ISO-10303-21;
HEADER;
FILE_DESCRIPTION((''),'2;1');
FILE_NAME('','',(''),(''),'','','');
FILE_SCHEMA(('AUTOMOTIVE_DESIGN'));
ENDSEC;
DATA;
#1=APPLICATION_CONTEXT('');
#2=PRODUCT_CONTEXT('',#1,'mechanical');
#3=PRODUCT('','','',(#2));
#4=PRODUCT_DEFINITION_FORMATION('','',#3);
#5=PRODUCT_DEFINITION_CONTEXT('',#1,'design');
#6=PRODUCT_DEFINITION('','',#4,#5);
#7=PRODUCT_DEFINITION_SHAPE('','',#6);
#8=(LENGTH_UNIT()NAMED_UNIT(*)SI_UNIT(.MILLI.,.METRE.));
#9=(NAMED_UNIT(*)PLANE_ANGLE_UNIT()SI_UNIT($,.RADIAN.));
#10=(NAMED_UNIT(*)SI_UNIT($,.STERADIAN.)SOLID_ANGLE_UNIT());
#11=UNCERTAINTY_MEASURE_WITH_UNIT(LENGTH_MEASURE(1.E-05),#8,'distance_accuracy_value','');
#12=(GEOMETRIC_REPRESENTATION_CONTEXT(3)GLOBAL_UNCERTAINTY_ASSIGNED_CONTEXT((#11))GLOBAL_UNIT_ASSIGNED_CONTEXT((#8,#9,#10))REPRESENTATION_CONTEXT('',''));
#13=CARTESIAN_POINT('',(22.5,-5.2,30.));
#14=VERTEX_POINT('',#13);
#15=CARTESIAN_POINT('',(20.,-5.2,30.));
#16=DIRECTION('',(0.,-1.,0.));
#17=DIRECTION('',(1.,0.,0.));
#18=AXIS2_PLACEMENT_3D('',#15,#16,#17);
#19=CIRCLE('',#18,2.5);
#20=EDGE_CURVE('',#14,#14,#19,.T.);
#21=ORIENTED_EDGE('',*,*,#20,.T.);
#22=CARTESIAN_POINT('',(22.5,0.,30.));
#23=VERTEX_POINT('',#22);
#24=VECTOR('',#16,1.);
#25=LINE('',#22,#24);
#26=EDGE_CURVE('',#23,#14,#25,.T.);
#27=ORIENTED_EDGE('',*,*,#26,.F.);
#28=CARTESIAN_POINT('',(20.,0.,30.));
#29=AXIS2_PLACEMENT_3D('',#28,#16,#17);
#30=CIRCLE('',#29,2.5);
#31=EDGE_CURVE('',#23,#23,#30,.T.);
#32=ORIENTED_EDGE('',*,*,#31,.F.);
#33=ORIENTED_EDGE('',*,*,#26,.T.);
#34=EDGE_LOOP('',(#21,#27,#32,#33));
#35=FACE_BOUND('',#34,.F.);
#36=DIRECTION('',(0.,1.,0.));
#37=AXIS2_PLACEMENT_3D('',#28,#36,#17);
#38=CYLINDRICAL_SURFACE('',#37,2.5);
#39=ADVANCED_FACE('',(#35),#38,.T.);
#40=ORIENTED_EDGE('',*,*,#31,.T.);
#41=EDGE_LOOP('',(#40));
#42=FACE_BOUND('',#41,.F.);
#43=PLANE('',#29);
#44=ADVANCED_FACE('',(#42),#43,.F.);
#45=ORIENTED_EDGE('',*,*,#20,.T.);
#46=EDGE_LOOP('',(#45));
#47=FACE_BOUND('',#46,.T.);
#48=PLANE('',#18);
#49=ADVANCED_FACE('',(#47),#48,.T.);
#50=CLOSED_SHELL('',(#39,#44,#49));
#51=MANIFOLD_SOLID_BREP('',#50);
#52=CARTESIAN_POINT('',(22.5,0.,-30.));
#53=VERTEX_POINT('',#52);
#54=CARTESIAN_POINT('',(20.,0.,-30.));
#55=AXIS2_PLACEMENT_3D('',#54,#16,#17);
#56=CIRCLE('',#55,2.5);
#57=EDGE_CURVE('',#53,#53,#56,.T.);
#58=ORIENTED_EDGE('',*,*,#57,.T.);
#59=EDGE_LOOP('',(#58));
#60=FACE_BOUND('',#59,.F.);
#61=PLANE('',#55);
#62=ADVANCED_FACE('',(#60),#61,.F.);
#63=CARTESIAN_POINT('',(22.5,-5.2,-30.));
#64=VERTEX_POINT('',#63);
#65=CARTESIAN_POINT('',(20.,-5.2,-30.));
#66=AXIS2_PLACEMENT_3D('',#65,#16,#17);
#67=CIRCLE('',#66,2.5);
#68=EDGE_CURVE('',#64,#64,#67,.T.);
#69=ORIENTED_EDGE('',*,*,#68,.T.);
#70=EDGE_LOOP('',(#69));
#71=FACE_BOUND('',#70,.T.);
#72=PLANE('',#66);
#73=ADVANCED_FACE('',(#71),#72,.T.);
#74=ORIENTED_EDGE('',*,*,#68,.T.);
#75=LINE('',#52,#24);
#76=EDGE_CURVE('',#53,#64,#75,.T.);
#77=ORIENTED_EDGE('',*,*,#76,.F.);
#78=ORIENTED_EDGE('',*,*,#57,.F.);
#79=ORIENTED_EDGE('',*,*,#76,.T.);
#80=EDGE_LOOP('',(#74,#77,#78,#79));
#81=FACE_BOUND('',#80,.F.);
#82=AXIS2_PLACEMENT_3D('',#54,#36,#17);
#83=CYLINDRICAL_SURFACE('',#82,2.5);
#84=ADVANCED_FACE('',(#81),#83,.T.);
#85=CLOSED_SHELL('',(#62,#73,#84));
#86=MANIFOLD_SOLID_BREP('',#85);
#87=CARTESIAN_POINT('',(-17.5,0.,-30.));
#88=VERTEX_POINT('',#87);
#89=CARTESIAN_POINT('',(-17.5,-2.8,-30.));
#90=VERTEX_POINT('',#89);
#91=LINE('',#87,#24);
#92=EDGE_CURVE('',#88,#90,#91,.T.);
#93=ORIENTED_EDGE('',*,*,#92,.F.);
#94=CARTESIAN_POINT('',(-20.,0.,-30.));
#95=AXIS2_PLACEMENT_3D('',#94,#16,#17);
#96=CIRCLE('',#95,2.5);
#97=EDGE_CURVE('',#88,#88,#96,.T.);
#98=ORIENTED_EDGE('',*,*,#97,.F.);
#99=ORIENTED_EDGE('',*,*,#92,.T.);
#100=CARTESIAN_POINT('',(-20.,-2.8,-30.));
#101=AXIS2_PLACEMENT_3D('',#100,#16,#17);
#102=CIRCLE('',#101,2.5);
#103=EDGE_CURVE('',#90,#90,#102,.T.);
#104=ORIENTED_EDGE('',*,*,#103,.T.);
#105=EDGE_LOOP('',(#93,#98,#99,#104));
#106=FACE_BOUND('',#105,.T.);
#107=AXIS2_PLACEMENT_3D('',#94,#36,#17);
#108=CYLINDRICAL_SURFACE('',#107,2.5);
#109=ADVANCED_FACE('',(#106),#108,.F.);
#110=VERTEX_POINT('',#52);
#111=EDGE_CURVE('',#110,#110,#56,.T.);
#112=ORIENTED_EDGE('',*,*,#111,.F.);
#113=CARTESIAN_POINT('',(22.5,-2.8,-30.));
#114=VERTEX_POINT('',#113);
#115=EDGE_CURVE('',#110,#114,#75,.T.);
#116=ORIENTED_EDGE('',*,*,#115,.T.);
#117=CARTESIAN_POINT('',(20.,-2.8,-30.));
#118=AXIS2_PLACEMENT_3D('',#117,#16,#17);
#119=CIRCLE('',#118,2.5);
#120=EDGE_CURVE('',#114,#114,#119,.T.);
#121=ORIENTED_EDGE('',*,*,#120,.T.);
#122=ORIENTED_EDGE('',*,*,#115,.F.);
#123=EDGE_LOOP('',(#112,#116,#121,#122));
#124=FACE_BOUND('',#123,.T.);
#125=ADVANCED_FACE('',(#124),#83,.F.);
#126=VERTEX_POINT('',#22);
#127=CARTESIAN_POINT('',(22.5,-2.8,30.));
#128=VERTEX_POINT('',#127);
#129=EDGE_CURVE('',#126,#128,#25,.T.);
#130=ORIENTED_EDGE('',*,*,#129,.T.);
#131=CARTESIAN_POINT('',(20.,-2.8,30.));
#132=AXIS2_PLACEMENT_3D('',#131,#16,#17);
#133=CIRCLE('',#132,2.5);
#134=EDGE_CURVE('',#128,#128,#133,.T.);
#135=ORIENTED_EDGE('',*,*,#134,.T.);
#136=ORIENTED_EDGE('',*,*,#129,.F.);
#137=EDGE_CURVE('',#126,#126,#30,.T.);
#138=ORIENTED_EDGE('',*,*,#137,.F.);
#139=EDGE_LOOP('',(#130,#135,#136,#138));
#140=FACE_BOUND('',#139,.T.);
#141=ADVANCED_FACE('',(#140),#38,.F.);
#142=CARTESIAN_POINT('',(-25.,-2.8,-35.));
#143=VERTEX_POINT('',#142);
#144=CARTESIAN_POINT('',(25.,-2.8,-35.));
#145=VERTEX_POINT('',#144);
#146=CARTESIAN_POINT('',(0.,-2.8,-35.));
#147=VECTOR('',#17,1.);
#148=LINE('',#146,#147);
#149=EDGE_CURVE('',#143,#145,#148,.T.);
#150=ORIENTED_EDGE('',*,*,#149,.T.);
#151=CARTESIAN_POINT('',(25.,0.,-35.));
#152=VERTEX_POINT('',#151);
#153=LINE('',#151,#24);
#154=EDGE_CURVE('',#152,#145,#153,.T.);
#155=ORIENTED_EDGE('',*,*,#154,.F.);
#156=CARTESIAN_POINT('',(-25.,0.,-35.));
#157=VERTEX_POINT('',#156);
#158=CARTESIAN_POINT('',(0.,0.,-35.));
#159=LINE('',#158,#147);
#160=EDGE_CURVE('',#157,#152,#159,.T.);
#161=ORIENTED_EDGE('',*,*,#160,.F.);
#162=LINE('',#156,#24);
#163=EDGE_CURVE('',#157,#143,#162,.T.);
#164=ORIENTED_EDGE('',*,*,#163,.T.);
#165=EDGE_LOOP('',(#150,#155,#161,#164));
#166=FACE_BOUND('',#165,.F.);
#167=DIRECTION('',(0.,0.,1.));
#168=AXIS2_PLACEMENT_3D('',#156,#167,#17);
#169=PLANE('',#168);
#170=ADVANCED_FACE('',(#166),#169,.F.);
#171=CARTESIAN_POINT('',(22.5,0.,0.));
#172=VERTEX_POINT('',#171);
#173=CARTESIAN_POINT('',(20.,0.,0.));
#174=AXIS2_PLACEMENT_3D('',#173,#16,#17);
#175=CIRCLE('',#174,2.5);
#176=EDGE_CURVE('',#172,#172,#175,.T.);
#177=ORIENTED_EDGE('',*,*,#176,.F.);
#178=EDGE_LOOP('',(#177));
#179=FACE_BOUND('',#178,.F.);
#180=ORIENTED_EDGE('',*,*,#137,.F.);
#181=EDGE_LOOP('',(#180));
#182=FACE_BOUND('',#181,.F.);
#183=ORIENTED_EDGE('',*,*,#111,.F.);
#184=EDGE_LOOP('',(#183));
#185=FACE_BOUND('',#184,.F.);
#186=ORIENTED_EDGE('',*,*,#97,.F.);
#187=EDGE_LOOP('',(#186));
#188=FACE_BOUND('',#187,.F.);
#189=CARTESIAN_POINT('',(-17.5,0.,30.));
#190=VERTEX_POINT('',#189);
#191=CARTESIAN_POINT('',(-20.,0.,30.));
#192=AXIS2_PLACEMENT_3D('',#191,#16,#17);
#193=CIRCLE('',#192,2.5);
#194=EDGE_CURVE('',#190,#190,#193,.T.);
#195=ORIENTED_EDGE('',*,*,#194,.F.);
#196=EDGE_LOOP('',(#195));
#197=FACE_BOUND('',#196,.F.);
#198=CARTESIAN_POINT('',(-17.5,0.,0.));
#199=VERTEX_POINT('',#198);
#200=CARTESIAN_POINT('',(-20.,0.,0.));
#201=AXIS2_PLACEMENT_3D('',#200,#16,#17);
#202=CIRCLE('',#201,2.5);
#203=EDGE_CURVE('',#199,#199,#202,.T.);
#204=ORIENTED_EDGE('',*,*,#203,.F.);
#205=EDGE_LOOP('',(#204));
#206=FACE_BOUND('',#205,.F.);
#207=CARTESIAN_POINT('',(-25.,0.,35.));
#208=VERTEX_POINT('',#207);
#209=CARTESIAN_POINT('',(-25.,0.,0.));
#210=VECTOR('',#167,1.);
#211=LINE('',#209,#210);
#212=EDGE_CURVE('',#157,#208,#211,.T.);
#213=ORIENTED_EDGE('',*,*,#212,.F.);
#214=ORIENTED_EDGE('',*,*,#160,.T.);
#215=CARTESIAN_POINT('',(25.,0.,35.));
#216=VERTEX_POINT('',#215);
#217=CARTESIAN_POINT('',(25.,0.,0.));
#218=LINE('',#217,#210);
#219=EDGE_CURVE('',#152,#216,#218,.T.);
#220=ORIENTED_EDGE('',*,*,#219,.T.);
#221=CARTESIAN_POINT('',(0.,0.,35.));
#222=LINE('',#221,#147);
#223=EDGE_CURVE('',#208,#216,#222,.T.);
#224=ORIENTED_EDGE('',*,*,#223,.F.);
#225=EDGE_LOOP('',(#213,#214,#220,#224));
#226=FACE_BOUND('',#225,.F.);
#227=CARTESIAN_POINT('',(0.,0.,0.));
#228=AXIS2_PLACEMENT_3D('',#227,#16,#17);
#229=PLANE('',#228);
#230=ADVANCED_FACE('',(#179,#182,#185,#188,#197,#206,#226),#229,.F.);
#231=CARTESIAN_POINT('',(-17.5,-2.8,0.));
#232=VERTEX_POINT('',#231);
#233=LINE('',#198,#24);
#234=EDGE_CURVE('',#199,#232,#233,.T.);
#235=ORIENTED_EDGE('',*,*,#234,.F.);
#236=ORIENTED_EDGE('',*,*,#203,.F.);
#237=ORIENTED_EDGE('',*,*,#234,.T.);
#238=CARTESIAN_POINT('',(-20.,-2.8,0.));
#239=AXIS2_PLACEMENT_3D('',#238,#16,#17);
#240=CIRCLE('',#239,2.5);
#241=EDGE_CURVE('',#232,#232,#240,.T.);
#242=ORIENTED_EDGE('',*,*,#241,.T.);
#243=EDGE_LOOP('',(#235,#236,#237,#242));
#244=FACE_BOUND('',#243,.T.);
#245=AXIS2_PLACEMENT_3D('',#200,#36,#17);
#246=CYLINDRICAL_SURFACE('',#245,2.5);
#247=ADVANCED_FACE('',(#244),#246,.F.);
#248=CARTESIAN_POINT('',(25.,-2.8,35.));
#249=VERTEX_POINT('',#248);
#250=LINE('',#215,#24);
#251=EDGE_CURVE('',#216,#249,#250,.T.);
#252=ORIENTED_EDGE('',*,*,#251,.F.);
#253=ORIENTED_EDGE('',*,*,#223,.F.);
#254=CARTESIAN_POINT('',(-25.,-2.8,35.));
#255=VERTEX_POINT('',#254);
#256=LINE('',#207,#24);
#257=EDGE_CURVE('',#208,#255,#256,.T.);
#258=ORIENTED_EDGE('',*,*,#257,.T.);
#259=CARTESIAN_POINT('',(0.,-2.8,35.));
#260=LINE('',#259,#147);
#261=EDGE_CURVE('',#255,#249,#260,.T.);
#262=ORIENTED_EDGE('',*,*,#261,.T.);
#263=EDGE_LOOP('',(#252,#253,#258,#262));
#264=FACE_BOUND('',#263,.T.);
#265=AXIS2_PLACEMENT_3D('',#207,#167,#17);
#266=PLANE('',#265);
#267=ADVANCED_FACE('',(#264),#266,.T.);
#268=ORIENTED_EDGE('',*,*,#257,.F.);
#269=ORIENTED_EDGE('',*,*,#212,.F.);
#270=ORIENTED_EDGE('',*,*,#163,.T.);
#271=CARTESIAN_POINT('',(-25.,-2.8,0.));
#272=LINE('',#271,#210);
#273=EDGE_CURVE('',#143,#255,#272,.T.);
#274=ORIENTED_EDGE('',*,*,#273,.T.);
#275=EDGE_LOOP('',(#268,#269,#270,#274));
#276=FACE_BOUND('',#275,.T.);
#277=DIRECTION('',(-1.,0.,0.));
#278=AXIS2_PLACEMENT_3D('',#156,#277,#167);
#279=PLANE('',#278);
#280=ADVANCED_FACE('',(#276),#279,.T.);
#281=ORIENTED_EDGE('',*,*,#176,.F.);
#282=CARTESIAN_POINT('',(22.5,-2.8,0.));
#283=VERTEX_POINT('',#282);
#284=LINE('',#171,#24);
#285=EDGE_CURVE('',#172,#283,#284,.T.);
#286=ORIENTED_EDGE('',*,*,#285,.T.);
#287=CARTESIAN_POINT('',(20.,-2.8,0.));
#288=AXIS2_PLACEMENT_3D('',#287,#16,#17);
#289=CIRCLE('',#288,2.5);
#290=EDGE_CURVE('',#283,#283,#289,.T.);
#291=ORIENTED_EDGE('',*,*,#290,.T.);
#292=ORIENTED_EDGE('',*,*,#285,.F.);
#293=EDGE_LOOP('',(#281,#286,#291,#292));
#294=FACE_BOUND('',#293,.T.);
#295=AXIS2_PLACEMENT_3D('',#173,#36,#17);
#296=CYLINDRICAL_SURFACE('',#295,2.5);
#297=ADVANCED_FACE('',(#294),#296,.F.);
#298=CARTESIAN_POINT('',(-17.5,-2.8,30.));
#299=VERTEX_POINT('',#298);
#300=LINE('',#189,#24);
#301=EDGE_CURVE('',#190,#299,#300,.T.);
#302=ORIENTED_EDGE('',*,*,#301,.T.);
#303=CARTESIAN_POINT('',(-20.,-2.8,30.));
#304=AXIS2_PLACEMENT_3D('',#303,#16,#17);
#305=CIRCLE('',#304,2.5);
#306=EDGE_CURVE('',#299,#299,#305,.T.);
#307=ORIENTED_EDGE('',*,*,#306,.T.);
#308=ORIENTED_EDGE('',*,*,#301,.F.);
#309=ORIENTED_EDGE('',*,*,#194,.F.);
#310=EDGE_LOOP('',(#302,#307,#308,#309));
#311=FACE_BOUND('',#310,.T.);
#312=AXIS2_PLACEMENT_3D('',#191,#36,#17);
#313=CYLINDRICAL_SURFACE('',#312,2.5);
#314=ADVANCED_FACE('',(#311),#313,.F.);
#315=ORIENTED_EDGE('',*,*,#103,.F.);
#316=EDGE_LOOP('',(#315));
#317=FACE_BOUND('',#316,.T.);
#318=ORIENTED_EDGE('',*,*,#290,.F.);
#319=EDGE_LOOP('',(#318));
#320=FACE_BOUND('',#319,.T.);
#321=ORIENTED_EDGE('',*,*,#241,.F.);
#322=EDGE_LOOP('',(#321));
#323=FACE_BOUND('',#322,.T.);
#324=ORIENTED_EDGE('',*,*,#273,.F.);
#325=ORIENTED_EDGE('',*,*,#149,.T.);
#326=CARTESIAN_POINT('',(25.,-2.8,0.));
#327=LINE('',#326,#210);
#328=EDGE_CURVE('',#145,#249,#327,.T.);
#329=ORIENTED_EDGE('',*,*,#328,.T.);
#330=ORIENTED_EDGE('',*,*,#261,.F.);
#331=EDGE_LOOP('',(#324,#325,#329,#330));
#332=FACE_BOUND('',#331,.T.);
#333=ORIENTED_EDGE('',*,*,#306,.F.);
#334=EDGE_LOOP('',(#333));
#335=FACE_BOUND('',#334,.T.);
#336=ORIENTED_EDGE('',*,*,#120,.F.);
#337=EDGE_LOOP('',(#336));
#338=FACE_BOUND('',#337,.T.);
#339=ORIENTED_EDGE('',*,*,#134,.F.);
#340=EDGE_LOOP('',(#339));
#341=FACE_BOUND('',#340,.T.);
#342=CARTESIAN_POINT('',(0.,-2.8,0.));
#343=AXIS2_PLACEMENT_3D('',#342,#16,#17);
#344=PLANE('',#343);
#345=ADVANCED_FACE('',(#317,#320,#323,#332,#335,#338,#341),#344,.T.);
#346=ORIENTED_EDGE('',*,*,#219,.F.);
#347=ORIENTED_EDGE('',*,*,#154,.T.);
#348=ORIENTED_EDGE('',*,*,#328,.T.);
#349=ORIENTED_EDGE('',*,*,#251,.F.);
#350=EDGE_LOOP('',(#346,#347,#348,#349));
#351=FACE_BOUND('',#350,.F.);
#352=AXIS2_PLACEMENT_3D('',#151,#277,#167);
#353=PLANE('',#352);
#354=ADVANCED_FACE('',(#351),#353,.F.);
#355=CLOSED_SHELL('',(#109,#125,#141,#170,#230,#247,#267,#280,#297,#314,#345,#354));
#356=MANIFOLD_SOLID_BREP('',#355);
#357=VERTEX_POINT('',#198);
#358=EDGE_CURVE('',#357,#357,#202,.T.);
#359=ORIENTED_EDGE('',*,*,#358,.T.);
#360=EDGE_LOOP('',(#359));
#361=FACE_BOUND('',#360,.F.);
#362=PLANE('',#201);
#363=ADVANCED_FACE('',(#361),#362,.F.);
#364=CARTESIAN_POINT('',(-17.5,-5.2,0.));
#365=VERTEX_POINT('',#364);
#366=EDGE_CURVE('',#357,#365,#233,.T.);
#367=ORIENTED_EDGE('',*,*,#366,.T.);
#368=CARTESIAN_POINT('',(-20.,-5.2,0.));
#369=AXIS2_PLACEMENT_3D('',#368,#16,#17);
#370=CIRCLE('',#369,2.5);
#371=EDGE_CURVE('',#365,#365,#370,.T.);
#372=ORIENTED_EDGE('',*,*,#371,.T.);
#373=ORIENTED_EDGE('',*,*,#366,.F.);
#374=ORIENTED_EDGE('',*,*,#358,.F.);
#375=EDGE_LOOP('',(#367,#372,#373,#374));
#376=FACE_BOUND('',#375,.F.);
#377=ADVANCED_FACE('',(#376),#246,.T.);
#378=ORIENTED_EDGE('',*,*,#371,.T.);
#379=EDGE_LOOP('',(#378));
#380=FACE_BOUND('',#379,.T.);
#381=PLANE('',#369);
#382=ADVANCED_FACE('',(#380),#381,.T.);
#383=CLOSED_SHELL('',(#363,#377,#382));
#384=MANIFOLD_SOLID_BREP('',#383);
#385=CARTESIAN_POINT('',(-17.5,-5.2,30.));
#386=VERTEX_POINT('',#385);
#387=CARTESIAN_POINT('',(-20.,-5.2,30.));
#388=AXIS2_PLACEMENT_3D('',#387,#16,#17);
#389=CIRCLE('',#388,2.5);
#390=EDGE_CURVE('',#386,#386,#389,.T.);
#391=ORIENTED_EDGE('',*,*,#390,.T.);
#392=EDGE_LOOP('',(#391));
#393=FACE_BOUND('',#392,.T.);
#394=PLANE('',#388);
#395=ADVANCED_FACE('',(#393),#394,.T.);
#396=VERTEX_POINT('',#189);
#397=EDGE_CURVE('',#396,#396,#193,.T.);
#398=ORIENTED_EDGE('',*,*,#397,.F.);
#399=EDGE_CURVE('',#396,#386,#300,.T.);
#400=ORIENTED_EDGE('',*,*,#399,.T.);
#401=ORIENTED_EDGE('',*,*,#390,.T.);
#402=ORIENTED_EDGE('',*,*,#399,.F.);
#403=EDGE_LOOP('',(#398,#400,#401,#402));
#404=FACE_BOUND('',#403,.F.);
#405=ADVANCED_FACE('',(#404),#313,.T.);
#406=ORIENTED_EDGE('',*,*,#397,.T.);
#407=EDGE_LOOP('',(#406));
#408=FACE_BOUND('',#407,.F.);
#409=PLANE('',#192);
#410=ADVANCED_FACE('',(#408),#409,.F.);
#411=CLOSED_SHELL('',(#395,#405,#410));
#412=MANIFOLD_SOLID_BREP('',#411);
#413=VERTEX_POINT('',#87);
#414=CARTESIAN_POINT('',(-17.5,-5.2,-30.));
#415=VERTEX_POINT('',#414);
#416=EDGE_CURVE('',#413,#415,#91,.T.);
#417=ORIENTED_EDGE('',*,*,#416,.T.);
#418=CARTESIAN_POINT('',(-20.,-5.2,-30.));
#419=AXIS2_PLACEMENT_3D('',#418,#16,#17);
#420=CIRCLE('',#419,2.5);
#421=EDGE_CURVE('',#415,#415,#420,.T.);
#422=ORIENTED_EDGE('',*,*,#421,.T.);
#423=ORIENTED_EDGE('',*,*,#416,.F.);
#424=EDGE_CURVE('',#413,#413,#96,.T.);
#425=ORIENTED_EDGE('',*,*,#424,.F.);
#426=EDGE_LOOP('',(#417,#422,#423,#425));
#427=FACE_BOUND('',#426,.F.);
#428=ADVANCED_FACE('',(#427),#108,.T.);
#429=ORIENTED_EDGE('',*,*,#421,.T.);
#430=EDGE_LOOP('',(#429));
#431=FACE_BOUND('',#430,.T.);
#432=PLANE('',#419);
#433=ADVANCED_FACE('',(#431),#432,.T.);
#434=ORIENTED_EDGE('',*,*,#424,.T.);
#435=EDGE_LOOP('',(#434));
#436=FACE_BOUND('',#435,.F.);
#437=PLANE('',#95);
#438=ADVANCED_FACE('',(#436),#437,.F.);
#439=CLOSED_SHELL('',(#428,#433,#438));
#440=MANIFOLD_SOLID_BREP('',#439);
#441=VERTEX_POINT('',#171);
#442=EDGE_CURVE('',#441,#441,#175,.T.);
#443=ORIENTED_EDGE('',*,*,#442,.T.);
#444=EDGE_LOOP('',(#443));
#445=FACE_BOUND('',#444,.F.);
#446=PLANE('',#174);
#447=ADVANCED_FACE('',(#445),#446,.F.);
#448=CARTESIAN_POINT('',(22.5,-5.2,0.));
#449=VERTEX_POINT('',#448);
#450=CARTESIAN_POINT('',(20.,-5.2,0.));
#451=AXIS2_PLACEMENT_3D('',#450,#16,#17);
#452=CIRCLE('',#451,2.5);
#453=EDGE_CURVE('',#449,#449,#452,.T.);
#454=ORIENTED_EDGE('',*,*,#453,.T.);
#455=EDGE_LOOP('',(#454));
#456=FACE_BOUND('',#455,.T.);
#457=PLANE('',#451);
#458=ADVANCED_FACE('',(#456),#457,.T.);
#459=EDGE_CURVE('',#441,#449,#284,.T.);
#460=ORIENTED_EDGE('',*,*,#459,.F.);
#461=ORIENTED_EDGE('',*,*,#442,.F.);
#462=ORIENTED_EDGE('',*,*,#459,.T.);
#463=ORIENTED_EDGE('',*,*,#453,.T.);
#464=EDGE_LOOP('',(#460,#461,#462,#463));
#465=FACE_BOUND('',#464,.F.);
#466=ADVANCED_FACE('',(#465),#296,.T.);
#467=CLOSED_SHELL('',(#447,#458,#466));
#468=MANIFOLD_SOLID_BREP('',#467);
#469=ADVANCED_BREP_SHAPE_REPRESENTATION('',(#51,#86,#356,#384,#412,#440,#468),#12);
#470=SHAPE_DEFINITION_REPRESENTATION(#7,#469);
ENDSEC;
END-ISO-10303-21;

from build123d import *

# Parameters (mm, degrees)
F0_R     = 2.5
F1_DEPTH = 5.2
F0_W     = 50
F0_H     = 70
F2_DEPTH = 2.8


with BuildPart() as f1:
    # F0 (on Front) → F1 (new body)
    with BuildSketch(Plane.XZ):
        with Locations((-20, 30)):
            Circle(F0_R)
        with Locations((20, 30)):
            Circle(F0_R)
        with Locations((20, 0)):
            Circle(F0_R)
        with Locations((-20, 0)):
            Circle(F0_R)
        with Locations((-20, -30)):
            Circle(F0_R)
        with Locations((20, -30)):
            Circle(F0_R)
    extrude(amount=F1_DEPTH)


with BuildPart() as f2:
    # F0 (on Front) → F2 (new body)
    with BuildSketch(Plane.XZ):
        Rectangle(F0_W, F0_H)
        with Locations((-20, -30)):
            Circle(F0_R, mode=Mode.SUBTRACT)
        with Locations((20, -30)):
            Circle(F0_R, mode=Mode.SUBTRACT)
        with Locations((-20, 0)):
            Circle(F0_R, mode=Mode.SUBTRACT)
        with Locations((-20, 30)):
            Circle(F0_R, mode=Mode.SUBTRACT)
        with Locations((20, 0)):
            Circle(F0_R, mode=Mode.SUBTRACT)
        with Locations((20, 30)):
            Circle(F0_R, mode=Mode.SUBTRACT)
    extrude(amount=F2_DEPTH)


solid = Compound([f1.part, f2.part])
